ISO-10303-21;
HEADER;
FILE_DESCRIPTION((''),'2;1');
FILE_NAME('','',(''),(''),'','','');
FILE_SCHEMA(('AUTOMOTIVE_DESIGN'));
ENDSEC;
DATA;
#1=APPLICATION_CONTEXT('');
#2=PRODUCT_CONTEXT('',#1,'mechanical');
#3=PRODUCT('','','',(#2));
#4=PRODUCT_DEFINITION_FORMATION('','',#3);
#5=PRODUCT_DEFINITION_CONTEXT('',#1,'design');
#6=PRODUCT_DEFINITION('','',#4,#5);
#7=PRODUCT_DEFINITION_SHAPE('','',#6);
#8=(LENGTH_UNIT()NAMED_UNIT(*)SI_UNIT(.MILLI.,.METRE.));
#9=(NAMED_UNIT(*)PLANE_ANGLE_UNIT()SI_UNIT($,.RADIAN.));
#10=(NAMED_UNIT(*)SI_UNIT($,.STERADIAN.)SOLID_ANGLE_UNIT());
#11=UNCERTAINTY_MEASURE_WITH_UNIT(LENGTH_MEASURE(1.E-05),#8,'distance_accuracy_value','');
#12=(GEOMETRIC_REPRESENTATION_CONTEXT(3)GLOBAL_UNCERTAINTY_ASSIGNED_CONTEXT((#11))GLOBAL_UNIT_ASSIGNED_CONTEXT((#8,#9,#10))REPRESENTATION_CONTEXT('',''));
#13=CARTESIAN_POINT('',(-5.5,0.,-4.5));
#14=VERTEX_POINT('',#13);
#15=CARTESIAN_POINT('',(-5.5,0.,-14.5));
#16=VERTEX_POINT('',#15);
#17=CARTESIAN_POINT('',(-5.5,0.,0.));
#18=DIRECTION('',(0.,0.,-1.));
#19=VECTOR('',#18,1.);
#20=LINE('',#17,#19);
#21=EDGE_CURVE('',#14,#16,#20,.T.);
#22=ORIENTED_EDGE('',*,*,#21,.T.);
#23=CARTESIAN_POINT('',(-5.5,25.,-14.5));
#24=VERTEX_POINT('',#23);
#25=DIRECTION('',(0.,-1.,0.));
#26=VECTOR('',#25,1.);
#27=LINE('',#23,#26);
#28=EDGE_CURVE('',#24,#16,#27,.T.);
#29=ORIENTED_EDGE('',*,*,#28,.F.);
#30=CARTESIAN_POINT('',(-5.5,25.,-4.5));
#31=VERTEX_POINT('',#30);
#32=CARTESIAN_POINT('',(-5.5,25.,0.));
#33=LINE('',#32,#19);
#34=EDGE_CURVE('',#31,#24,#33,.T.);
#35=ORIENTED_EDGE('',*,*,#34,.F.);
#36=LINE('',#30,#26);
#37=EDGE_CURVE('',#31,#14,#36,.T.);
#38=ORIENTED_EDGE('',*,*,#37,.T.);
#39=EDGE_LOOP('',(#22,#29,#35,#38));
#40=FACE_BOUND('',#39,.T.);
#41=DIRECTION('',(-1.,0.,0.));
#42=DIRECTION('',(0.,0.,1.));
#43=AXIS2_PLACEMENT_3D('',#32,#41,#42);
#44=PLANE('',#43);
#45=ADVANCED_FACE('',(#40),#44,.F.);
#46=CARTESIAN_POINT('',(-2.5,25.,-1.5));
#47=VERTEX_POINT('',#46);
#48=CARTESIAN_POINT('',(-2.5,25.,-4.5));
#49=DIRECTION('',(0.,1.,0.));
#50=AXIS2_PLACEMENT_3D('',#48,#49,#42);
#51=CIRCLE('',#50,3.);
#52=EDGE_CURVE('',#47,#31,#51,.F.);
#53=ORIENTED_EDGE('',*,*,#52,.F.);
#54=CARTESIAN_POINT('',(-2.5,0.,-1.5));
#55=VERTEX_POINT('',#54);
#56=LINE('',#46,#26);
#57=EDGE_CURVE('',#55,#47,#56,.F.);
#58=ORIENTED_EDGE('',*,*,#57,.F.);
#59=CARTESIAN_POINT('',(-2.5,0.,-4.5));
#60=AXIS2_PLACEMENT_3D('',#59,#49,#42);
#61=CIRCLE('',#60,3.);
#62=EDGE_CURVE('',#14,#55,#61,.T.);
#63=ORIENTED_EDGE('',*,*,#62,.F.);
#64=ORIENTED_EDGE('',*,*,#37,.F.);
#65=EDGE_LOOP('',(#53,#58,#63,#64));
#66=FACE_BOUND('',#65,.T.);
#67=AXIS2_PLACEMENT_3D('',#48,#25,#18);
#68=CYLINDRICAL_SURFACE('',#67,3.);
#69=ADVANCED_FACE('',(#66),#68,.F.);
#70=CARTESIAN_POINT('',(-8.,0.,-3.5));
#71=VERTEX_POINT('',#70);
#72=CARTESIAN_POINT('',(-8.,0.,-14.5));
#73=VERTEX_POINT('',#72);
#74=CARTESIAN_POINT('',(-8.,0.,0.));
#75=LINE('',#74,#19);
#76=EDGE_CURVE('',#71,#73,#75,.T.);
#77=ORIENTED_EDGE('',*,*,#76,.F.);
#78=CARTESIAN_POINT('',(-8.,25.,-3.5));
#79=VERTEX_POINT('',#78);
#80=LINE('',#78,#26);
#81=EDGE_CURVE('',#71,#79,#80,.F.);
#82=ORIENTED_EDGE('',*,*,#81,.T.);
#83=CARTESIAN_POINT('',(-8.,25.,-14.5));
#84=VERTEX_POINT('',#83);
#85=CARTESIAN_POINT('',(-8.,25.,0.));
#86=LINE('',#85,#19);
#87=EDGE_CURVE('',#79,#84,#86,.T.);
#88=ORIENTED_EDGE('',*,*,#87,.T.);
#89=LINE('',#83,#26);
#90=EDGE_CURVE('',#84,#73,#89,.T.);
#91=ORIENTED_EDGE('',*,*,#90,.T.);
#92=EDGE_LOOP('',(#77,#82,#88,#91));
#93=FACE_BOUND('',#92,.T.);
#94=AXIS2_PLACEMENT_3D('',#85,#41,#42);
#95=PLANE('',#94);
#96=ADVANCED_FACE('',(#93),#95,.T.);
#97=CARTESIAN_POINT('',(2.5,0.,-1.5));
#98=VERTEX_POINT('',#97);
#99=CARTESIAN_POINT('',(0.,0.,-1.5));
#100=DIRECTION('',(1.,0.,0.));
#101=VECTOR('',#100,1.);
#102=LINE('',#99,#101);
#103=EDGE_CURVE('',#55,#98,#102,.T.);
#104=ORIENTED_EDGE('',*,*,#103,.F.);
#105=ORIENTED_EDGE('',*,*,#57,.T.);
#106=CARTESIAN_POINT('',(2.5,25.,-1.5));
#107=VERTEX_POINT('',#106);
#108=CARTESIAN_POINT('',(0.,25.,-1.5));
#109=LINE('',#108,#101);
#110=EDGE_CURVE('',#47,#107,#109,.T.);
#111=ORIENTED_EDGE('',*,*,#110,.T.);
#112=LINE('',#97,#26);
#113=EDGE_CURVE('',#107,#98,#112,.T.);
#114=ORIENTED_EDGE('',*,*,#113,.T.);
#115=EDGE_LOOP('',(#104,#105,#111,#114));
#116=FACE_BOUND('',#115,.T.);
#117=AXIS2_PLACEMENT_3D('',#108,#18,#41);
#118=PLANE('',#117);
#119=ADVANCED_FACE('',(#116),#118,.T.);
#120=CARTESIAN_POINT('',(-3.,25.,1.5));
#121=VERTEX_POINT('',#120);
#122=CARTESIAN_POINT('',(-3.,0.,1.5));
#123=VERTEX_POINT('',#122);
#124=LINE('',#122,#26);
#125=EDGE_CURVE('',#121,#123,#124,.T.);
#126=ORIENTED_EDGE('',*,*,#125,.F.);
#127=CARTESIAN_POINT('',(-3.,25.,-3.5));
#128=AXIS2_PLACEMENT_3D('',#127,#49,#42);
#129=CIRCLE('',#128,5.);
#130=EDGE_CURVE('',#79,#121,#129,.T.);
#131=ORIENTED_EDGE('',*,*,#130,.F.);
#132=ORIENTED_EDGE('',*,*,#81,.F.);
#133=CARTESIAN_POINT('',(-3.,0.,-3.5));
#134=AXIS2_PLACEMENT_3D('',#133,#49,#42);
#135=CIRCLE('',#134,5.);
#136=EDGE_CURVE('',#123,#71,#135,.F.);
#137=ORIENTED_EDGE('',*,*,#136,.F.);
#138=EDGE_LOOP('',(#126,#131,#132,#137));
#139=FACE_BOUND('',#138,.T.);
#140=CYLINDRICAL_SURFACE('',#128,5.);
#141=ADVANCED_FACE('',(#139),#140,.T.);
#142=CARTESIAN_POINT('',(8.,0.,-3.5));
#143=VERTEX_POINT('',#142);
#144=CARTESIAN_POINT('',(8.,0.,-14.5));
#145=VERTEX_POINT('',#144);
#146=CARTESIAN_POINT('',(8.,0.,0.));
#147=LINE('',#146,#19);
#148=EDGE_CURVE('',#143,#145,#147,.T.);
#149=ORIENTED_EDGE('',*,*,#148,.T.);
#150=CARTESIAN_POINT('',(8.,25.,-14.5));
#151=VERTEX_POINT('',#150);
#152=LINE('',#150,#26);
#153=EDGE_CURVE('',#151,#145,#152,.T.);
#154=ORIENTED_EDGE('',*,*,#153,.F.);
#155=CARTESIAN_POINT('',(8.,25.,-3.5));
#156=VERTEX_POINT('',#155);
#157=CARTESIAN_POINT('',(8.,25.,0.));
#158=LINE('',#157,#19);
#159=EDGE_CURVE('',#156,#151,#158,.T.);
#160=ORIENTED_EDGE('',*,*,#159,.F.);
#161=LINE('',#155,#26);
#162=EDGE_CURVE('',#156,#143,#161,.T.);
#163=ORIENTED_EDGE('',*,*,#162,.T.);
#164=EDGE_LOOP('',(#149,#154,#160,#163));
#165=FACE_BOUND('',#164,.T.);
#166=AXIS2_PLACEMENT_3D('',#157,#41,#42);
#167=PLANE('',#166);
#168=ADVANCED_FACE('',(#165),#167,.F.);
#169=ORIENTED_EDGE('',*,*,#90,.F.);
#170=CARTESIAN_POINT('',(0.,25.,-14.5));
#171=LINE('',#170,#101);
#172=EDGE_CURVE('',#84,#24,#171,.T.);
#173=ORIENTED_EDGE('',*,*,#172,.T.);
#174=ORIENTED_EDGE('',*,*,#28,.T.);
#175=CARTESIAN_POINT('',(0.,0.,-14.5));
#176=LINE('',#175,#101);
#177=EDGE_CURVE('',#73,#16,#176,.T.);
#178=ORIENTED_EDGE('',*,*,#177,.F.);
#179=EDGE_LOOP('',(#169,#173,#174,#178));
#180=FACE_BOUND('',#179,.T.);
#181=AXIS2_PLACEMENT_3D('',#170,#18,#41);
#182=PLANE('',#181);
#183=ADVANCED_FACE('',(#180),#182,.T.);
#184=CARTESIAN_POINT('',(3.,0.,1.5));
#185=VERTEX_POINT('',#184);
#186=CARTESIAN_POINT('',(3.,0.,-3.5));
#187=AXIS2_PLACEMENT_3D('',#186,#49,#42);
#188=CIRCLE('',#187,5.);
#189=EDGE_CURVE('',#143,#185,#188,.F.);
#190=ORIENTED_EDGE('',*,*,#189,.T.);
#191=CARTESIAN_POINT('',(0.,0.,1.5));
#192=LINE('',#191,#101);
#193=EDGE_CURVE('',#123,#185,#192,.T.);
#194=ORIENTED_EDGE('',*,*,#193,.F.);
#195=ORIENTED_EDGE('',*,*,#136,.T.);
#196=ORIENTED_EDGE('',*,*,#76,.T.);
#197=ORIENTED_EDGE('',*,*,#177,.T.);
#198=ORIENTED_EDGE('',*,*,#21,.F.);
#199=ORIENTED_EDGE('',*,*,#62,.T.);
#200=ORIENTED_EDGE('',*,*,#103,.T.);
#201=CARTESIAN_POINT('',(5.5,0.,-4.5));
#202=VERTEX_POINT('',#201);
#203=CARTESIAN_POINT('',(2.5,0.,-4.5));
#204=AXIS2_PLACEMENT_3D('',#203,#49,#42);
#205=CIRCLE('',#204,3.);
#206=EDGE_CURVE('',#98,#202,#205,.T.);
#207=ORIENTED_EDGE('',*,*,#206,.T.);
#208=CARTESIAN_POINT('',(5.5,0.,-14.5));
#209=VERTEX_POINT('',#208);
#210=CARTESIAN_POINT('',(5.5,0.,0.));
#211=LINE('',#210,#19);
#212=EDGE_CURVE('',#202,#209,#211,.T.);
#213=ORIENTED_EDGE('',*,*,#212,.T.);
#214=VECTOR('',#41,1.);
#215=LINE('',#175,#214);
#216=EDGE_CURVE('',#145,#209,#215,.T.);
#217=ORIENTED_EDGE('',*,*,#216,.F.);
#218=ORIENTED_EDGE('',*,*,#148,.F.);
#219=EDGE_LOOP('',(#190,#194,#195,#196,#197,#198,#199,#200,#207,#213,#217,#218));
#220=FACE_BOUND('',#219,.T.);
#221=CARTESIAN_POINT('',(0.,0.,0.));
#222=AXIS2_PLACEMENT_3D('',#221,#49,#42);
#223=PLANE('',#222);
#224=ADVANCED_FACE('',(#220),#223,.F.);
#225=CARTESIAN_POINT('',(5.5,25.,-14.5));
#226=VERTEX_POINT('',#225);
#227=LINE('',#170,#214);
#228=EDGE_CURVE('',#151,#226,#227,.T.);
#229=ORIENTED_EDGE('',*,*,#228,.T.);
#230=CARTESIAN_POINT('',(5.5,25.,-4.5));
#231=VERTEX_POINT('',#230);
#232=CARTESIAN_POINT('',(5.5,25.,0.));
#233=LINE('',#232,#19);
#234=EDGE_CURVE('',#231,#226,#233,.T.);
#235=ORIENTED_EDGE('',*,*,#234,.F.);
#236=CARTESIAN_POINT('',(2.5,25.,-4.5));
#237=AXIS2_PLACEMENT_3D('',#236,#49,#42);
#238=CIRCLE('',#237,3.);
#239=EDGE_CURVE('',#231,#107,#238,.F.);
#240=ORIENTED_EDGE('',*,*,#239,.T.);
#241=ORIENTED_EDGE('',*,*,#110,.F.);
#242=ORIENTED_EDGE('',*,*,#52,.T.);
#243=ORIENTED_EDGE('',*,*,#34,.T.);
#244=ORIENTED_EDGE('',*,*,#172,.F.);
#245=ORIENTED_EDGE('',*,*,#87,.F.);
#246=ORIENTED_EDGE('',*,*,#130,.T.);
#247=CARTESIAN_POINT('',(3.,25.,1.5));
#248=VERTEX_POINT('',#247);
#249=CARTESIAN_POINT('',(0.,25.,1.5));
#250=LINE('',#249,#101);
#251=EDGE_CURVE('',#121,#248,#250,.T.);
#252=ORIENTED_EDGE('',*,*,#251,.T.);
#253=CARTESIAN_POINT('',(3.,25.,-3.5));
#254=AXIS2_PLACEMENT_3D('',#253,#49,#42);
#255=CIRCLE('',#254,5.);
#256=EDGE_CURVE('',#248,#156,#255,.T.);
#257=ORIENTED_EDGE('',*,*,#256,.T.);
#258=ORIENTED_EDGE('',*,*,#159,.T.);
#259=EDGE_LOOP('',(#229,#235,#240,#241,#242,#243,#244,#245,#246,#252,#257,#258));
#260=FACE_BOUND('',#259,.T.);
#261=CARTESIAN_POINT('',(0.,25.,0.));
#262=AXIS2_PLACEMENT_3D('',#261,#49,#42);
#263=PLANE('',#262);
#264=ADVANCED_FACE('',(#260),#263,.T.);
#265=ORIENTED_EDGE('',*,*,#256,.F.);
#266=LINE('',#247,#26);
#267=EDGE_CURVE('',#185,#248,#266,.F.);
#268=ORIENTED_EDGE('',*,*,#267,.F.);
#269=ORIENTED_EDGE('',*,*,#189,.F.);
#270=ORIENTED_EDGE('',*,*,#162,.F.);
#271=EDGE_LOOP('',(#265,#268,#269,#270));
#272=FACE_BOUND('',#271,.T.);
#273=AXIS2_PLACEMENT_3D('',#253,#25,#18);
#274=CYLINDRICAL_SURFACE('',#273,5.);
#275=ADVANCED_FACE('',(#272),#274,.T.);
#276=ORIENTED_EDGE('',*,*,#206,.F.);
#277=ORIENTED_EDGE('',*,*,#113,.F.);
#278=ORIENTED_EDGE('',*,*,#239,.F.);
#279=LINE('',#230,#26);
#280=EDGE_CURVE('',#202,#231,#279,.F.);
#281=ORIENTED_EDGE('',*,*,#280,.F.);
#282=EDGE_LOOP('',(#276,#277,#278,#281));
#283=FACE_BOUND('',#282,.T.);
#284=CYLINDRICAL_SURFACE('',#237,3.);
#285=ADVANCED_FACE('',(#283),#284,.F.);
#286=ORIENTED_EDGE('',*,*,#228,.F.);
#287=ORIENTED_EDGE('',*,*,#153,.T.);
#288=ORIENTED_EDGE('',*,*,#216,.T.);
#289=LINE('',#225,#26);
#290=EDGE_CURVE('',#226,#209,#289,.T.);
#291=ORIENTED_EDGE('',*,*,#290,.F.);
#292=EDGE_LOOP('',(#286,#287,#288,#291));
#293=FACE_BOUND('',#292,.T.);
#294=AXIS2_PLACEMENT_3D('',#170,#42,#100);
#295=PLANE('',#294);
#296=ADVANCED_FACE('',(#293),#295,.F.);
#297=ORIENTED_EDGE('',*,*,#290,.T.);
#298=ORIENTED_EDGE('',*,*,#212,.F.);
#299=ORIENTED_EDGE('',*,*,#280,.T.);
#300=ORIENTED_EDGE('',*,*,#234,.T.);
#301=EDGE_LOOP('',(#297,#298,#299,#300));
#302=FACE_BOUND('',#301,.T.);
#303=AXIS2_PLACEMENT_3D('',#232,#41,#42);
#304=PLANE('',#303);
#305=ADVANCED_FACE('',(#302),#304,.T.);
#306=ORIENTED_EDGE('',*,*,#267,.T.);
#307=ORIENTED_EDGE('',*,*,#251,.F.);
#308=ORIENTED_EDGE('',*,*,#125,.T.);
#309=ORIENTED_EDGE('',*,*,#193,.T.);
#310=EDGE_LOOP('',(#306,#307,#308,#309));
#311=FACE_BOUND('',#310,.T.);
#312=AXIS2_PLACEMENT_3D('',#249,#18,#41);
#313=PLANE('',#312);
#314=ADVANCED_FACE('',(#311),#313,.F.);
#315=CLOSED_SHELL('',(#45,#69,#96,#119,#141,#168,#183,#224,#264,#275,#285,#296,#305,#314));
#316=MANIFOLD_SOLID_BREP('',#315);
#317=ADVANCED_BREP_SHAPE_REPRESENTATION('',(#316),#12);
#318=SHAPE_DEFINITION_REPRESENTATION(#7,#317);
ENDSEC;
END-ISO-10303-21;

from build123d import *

# Parameters (mm, degrees)
SKETCH_1_W      = 2.5
SKETCH_1_H      = 13
SKETCH_1_W_2    = 16
SKETCH_1_H_2    = 3
EXTRUDE_1_DEPTH = 25
FILLET_1_R      = 3
FILLET_2_R      = 5


with BuildPart() as part:
    # 草图1 → 凸台-拉伸1 (new body)
    with BuildSketch(Plane(origin=(0, 0, 0), x_dir=(1, 0, 0), z_dir=(0, 1, 0))):
        with Locations((6.75, 8)):
            Rectangle(SKETCH_1_W, SKETCH_1_H)
        Rectangle(SKETCH_1_W_2, SKETCH_1_H_2)
        with Locations((-6.75, 8)):
            Rectangle(SKETCH_1_W, SKETCH_1_H)
    extrude(amount=EXTRUDE_1_DEPTH)

    # 圆角1
    fillet_1_edges = [part.edges().sort_by_distance(p)[0] for p in [
        (-5.5, 12.5, -1.5),
        (5.5, 12.5, -1.5),
    ]]
    fillet(fillet_1_edges, radius=FILLET_1_R)

    # 圆角2
    fillet_2_edges = [part.edges().sort_by_distance(p)[0] for p in [
        (8, 12.5, 1.5),
        (-8, 12.5, 1.5),
    ]]
    fillet(fillet_2_edges, radius=FILLET_2_R)


solid = part.part
